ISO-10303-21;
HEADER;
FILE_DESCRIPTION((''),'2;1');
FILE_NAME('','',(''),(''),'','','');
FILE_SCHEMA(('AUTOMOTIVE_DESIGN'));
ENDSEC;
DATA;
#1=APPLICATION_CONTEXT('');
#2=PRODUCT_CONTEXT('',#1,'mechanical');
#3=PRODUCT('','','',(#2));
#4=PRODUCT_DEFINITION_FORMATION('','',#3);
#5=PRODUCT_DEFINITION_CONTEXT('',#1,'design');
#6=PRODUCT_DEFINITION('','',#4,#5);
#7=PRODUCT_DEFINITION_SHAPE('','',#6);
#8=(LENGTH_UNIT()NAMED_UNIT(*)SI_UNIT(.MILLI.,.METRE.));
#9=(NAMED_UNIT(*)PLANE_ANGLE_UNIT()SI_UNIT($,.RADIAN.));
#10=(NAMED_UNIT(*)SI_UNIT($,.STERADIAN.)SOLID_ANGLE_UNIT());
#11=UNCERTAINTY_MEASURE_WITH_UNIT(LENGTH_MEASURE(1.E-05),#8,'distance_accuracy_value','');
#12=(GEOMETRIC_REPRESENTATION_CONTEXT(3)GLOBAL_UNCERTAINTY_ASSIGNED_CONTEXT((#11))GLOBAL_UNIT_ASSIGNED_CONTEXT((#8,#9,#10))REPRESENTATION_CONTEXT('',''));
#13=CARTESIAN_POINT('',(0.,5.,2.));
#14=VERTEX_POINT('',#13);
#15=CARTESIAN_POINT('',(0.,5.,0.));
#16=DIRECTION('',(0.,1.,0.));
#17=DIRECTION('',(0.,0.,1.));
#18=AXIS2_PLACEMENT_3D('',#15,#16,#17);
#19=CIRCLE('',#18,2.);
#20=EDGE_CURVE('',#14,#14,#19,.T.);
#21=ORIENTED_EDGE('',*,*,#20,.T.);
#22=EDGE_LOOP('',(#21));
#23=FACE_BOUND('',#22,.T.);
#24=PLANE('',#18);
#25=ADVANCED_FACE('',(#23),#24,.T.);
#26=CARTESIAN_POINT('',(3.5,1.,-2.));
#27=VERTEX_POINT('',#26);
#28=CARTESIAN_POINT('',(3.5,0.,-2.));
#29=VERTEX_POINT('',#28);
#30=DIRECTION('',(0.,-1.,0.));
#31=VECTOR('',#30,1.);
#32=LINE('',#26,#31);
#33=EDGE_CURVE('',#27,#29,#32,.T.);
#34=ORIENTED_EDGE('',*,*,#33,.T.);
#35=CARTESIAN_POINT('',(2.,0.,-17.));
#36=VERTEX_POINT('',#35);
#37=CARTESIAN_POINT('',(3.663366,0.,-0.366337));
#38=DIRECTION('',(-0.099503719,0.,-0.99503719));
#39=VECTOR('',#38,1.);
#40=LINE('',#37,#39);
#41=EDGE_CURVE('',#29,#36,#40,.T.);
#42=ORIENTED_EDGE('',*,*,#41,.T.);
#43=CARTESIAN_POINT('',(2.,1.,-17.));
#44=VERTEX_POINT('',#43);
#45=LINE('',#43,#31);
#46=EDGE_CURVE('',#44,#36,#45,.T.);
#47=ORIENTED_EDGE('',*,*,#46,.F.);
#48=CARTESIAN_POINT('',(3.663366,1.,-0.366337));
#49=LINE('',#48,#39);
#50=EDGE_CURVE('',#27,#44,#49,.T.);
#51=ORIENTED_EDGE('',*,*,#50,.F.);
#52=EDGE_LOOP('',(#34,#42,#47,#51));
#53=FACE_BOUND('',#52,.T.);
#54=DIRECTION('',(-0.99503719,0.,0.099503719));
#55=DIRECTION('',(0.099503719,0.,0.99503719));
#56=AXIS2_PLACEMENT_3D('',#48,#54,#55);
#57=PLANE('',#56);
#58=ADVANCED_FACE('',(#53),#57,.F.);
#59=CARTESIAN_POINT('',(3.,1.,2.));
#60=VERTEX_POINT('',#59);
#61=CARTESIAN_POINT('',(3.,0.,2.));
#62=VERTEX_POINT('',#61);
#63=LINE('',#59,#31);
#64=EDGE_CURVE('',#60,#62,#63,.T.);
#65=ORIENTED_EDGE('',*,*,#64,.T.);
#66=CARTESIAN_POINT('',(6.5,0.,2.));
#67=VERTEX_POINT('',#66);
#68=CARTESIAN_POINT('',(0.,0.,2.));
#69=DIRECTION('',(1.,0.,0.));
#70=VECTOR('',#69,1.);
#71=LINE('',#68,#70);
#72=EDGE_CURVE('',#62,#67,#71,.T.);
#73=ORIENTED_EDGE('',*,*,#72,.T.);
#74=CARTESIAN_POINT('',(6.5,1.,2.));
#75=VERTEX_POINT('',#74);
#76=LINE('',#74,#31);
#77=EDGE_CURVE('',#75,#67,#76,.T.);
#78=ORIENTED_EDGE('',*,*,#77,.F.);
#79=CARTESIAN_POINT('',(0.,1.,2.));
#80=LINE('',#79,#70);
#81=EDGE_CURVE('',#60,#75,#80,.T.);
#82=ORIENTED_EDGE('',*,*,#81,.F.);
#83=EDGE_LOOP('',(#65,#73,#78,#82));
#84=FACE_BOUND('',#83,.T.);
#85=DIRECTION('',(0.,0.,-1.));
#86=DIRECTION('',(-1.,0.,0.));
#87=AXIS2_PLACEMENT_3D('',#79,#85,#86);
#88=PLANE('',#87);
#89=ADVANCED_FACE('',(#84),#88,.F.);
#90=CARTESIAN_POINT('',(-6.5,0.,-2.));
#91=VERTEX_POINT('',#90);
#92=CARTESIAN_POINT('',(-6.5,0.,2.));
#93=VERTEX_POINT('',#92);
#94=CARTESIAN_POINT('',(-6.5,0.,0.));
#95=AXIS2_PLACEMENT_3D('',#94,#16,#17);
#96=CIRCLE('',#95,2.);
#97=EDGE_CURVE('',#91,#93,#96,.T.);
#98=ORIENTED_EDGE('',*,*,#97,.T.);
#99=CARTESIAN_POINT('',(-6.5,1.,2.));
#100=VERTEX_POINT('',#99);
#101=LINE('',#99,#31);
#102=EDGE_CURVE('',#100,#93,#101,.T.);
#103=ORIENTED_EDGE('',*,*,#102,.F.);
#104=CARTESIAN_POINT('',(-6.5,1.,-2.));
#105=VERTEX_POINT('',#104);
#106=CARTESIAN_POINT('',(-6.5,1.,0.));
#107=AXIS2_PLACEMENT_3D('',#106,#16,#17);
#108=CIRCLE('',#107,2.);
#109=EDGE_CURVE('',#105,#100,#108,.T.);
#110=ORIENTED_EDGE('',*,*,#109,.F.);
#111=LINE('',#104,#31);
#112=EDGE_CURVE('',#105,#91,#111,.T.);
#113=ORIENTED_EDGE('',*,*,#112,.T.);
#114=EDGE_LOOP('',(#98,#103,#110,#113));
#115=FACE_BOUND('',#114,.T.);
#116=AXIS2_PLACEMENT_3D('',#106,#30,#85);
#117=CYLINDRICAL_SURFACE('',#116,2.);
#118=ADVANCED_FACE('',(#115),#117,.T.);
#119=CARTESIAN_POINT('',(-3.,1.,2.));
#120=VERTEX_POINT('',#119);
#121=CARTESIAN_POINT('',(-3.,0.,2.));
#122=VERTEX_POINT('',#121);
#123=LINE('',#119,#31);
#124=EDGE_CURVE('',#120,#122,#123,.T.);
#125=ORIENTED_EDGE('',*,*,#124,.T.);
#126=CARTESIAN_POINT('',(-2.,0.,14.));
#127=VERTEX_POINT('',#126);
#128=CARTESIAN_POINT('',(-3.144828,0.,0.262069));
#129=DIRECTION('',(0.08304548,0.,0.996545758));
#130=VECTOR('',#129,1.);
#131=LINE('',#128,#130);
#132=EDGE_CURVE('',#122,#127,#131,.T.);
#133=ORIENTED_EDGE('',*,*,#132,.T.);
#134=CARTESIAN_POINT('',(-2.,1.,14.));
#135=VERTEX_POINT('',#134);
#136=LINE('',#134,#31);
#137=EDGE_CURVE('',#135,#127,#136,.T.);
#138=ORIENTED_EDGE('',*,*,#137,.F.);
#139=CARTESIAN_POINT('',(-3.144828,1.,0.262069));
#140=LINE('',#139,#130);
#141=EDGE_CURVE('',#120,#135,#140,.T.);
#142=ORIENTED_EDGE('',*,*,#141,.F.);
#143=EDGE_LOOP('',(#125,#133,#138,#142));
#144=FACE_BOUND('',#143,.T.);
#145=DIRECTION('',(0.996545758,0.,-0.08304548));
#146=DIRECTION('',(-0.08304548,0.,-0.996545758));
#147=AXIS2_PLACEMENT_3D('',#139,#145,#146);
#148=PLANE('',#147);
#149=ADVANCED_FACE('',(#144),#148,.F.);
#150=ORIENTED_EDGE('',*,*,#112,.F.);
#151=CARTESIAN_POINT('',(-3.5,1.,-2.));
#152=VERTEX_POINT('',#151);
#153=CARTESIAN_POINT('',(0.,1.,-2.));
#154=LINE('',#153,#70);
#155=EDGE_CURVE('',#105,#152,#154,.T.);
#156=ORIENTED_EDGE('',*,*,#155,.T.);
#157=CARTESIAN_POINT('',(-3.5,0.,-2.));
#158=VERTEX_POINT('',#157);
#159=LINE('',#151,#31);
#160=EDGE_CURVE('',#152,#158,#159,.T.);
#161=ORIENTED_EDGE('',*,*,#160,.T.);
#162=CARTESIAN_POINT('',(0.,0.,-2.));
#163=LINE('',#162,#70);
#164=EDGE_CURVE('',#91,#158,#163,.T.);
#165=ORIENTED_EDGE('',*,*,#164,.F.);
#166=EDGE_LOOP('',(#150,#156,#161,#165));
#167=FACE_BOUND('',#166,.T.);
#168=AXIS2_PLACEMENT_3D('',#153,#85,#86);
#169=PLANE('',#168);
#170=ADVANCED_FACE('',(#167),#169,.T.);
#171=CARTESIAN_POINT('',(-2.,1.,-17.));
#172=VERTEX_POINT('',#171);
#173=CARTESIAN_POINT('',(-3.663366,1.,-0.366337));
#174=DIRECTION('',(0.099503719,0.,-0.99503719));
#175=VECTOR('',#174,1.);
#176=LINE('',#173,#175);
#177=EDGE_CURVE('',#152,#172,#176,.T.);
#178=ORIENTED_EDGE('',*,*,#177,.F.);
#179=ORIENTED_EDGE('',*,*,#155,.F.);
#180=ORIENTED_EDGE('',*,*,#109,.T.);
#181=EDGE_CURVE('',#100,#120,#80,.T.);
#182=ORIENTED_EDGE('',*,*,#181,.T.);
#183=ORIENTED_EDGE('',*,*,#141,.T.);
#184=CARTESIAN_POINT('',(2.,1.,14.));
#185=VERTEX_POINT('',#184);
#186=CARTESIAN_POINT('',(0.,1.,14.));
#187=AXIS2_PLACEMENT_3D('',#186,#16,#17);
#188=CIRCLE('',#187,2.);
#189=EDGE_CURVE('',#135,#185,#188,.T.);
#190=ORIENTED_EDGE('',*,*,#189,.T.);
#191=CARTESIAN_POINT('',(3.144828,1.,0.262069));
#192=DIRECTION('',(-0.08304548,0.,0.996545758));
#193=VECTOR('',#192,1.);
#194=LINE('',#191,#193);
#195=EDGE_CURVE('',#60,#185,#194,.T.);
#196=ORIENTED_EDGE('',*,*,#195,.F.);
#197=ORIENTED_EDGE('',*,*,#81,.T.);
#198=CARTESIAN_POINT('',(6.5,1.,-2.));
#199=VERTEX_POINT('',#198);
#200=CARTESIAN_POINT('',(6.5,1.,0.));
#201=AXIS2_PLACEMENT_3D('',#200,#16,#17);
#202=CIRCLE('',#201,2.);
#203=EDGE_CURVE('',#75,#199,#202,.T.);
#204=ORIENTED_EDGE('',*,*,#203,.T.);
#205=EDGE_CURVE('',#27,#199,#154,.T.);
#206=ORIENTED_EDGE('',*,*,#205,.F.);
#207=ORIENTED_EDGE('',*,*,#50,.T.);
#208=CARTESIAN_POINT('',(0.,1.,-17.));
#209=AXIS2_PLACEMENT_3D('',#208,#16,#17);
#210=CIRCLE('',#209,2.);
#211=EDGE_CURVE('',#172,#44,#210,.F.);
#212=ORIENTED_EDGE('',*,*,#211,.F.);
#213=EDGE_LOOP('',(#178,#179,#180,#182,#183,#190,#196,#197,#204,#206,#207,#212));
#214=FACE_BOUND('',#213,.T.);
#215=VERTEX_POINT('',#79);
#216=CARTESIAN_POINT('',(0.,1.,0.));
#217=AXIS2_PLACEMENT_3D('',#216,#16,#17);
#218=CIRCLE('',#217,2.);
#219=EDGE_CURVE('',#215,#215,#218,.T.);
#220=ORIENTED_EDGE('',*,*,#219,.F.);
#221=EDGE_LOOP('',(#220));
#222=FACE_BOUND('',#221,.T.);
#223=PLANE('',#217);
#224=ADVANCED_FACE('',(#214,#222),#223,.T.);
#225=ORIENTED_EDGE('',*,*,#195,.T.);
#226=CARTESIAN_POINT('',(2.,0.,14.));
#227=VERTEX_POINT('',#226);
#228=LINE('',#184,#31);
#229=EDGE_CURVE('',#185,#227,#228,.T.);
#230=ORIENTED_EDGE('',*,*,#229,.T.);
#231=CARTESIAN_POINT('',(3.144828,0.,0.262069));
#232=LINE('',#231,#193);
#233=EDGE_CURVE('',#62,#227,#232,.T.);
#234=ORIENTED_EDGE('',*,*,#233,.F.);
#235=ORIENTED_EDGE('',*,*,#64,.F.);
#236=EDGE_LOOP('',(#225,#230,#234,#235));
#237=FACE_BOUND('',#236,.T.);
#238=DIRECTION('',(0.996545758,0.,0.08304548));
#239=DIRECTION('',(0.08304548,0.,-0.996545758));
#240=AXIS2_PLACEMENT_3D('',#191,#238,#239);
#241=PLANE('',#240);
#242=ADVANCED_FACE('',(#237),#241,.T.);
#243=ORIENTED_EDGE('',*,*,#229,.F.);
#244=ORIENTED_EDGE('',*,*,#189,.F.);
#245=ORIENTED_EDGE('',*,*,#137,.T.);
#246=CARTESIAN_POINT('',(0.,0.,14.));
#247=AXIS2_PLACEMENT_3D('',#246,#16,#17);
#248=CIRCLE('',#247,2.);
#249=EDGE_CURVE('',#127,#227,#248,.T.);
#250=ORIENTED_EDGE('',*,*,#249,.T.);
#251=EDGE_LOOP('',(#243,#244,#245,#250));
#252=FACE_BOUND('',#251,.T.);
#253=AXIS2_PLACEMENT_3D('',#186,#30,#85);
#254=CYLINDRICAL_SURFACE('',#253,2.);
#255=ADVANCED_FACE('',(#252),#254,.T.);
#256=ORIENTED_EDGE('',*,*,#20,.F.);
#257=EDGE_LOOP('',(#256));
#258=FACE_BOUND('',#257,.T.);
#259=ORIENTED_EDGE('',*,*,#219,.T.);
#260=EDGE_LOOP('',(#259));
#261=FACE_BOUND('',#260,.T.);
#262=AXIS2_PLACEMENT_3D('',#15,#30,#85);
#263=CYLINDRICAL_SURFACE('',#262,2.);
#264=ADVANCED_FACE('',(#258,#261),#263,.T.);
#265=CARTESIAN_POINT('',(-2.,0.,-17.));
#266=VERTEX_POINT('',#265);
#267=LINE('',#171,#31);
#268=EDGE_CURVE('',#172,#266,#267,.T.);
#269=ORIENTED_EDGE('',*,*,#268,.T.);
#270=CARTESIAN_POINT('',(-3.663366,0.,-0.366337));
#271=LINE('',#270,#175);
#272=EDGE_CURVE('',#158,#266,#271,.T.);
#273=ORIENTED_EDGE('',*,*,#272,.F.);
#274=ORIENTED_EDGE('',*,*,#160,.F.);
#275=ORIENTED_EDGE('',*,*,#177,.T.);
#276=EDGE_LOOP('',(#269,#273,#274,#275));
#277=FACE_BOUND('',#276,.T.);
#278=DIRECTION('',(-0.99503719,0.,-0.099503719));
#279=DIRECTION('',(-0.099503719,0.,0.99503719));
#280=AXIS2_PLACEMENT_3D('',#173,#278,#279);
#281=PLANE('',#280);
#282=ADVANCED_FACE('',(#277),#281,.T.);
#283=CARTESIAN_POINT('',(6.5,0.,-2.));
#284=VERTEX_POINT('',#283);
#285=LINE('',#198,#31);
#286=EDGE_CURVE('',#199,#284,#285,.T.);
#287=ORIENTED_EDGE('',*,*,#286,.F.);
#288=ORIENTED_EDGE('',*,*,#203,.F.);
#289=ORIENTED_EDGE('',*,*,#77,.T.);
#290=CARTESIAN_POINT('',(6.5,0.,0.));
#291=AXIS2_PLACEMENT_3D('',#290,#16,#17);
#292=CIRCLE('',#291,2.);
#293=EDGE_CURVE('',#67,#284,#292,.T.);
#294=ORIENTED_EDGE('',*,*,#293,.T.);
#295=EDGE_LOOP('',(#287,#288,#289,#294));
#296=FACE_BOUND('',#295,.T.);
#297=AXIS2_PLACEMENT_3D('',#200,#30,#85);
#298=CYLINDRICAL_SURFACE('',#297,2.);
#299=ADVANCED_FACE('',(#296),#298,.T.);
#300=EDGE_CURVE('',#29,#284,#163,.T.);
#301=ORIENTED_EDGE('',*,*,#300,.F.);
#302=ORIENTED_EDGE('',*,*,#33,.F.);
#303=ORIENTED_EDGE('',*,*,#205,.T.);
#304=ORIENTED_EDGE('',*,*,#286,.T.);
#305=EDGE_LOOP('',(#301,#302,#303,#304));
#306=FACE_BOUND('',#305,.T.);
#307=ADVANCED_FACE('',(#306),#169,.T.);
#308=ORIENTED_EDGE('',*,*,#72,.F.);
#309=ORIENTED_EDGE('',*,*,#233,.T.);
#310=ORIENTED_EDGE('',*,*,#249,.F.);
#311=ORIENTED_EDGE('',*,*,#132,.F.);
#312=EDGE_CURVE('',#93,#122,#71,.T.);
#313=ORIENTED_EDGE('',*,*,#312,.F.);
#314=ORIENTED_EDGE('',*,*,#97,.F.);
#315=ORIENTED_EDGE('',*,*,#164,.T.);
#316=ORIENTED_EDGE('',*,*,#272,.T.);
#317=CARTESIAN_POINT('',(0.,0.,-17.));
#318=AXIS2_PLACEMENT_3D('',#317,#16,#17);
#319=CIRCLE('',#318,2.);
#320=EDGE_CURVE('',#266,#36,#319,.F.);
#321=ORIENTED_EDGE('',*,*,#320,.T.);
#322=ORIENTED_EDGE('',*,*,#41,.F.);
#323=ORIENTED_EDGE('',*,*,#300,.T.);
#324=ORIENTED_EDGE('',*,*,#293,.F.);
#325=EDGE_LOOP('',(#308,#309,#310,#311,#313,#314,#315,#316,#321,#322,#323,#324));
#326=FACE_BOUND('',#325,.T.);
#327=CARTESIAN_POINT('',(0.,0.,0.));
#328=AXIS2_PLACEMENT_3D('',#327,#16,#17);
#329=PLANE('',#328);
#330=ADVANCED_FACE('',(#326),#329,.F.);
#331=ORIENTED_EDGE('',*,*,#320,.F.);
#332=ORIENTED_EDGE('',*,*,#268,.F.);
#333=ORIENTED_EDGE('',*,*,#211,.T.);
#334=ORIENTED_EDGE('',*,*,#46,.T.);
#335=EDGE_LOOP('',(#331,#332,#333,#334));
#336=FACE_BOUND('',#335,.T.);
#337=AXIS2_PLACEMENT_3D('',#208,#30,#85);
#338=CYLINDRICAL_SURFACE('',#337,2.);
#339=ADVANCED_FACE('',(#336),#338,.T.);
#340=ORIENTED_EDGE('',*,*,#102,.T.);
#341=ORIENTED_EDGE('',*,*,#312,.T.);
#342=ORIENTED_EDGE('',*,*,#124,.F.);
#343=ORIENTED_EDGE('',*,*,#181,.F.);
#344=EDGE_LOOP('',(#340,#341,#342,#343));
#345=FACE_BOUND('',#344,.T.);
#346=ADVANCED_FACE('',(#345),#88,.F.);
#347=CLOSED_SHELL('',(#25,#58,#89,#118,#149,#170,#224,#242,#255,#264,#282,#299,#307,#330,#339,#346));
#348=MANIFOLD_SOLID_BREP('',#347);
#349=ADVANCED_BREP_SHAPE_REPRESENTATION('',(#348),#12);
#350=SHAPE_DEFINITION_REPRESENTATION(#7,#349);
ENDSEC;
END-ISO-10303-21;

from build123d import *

# Parameters (mm, degrees)
BOSS_EXTRUDE1_DEPTH = 1
SKETCH2_R           = 2
BOSS_EXTRUDE2_DEPTH = 4


with BuildPart() as part:
    # Sketch1 → Boss-Extrude1 (new body)
    with BuildSketch(Plane(origin=(0, 0, 0), x_dir=(1, 0, 0), z_dir=(0, 1, 0))):
        with BuildLine():
            Line((-3.5, 2), (-6.5, 2))
            ThreePointArc((-6.5, 2), (-8.5, 0), (-6.5, -2))
            Line((-6.5, -2), (-3, -2))
            Line((-3, -2), (-2, -14))
            ThreePointArc((-2, -14), (0, -16), (2, -14))
            Line((2, -14), (3, -2))
            Line((3, -2), (6.5, -2))
            ThreePointArc((6.5, -2), (8.5, 0), (6.5, 2))
            Line((6.5, 2), (3.5, 2))
            Line((3.5, 2), (2, 17))
            ThreePointArc((2, 17), (0, 19), (-2, 17))
            Line((-2, 17), (-3.5, 2))
        make_face()
    extrude(amount=BOSS_EXTRUDE1_DEPTH)

    # Sketch2 → Boss-Extrude2 (add)
    with BuildSketch(Plane(origin=(0, 1, 0), x_dir=(1, 0, 0), z_dir=(0, 1, 0))):
        Circle(SKETCH2_R)
    extrude(amount=BOSS_EXTRUDE2_DEPTH)


solid = part.part
